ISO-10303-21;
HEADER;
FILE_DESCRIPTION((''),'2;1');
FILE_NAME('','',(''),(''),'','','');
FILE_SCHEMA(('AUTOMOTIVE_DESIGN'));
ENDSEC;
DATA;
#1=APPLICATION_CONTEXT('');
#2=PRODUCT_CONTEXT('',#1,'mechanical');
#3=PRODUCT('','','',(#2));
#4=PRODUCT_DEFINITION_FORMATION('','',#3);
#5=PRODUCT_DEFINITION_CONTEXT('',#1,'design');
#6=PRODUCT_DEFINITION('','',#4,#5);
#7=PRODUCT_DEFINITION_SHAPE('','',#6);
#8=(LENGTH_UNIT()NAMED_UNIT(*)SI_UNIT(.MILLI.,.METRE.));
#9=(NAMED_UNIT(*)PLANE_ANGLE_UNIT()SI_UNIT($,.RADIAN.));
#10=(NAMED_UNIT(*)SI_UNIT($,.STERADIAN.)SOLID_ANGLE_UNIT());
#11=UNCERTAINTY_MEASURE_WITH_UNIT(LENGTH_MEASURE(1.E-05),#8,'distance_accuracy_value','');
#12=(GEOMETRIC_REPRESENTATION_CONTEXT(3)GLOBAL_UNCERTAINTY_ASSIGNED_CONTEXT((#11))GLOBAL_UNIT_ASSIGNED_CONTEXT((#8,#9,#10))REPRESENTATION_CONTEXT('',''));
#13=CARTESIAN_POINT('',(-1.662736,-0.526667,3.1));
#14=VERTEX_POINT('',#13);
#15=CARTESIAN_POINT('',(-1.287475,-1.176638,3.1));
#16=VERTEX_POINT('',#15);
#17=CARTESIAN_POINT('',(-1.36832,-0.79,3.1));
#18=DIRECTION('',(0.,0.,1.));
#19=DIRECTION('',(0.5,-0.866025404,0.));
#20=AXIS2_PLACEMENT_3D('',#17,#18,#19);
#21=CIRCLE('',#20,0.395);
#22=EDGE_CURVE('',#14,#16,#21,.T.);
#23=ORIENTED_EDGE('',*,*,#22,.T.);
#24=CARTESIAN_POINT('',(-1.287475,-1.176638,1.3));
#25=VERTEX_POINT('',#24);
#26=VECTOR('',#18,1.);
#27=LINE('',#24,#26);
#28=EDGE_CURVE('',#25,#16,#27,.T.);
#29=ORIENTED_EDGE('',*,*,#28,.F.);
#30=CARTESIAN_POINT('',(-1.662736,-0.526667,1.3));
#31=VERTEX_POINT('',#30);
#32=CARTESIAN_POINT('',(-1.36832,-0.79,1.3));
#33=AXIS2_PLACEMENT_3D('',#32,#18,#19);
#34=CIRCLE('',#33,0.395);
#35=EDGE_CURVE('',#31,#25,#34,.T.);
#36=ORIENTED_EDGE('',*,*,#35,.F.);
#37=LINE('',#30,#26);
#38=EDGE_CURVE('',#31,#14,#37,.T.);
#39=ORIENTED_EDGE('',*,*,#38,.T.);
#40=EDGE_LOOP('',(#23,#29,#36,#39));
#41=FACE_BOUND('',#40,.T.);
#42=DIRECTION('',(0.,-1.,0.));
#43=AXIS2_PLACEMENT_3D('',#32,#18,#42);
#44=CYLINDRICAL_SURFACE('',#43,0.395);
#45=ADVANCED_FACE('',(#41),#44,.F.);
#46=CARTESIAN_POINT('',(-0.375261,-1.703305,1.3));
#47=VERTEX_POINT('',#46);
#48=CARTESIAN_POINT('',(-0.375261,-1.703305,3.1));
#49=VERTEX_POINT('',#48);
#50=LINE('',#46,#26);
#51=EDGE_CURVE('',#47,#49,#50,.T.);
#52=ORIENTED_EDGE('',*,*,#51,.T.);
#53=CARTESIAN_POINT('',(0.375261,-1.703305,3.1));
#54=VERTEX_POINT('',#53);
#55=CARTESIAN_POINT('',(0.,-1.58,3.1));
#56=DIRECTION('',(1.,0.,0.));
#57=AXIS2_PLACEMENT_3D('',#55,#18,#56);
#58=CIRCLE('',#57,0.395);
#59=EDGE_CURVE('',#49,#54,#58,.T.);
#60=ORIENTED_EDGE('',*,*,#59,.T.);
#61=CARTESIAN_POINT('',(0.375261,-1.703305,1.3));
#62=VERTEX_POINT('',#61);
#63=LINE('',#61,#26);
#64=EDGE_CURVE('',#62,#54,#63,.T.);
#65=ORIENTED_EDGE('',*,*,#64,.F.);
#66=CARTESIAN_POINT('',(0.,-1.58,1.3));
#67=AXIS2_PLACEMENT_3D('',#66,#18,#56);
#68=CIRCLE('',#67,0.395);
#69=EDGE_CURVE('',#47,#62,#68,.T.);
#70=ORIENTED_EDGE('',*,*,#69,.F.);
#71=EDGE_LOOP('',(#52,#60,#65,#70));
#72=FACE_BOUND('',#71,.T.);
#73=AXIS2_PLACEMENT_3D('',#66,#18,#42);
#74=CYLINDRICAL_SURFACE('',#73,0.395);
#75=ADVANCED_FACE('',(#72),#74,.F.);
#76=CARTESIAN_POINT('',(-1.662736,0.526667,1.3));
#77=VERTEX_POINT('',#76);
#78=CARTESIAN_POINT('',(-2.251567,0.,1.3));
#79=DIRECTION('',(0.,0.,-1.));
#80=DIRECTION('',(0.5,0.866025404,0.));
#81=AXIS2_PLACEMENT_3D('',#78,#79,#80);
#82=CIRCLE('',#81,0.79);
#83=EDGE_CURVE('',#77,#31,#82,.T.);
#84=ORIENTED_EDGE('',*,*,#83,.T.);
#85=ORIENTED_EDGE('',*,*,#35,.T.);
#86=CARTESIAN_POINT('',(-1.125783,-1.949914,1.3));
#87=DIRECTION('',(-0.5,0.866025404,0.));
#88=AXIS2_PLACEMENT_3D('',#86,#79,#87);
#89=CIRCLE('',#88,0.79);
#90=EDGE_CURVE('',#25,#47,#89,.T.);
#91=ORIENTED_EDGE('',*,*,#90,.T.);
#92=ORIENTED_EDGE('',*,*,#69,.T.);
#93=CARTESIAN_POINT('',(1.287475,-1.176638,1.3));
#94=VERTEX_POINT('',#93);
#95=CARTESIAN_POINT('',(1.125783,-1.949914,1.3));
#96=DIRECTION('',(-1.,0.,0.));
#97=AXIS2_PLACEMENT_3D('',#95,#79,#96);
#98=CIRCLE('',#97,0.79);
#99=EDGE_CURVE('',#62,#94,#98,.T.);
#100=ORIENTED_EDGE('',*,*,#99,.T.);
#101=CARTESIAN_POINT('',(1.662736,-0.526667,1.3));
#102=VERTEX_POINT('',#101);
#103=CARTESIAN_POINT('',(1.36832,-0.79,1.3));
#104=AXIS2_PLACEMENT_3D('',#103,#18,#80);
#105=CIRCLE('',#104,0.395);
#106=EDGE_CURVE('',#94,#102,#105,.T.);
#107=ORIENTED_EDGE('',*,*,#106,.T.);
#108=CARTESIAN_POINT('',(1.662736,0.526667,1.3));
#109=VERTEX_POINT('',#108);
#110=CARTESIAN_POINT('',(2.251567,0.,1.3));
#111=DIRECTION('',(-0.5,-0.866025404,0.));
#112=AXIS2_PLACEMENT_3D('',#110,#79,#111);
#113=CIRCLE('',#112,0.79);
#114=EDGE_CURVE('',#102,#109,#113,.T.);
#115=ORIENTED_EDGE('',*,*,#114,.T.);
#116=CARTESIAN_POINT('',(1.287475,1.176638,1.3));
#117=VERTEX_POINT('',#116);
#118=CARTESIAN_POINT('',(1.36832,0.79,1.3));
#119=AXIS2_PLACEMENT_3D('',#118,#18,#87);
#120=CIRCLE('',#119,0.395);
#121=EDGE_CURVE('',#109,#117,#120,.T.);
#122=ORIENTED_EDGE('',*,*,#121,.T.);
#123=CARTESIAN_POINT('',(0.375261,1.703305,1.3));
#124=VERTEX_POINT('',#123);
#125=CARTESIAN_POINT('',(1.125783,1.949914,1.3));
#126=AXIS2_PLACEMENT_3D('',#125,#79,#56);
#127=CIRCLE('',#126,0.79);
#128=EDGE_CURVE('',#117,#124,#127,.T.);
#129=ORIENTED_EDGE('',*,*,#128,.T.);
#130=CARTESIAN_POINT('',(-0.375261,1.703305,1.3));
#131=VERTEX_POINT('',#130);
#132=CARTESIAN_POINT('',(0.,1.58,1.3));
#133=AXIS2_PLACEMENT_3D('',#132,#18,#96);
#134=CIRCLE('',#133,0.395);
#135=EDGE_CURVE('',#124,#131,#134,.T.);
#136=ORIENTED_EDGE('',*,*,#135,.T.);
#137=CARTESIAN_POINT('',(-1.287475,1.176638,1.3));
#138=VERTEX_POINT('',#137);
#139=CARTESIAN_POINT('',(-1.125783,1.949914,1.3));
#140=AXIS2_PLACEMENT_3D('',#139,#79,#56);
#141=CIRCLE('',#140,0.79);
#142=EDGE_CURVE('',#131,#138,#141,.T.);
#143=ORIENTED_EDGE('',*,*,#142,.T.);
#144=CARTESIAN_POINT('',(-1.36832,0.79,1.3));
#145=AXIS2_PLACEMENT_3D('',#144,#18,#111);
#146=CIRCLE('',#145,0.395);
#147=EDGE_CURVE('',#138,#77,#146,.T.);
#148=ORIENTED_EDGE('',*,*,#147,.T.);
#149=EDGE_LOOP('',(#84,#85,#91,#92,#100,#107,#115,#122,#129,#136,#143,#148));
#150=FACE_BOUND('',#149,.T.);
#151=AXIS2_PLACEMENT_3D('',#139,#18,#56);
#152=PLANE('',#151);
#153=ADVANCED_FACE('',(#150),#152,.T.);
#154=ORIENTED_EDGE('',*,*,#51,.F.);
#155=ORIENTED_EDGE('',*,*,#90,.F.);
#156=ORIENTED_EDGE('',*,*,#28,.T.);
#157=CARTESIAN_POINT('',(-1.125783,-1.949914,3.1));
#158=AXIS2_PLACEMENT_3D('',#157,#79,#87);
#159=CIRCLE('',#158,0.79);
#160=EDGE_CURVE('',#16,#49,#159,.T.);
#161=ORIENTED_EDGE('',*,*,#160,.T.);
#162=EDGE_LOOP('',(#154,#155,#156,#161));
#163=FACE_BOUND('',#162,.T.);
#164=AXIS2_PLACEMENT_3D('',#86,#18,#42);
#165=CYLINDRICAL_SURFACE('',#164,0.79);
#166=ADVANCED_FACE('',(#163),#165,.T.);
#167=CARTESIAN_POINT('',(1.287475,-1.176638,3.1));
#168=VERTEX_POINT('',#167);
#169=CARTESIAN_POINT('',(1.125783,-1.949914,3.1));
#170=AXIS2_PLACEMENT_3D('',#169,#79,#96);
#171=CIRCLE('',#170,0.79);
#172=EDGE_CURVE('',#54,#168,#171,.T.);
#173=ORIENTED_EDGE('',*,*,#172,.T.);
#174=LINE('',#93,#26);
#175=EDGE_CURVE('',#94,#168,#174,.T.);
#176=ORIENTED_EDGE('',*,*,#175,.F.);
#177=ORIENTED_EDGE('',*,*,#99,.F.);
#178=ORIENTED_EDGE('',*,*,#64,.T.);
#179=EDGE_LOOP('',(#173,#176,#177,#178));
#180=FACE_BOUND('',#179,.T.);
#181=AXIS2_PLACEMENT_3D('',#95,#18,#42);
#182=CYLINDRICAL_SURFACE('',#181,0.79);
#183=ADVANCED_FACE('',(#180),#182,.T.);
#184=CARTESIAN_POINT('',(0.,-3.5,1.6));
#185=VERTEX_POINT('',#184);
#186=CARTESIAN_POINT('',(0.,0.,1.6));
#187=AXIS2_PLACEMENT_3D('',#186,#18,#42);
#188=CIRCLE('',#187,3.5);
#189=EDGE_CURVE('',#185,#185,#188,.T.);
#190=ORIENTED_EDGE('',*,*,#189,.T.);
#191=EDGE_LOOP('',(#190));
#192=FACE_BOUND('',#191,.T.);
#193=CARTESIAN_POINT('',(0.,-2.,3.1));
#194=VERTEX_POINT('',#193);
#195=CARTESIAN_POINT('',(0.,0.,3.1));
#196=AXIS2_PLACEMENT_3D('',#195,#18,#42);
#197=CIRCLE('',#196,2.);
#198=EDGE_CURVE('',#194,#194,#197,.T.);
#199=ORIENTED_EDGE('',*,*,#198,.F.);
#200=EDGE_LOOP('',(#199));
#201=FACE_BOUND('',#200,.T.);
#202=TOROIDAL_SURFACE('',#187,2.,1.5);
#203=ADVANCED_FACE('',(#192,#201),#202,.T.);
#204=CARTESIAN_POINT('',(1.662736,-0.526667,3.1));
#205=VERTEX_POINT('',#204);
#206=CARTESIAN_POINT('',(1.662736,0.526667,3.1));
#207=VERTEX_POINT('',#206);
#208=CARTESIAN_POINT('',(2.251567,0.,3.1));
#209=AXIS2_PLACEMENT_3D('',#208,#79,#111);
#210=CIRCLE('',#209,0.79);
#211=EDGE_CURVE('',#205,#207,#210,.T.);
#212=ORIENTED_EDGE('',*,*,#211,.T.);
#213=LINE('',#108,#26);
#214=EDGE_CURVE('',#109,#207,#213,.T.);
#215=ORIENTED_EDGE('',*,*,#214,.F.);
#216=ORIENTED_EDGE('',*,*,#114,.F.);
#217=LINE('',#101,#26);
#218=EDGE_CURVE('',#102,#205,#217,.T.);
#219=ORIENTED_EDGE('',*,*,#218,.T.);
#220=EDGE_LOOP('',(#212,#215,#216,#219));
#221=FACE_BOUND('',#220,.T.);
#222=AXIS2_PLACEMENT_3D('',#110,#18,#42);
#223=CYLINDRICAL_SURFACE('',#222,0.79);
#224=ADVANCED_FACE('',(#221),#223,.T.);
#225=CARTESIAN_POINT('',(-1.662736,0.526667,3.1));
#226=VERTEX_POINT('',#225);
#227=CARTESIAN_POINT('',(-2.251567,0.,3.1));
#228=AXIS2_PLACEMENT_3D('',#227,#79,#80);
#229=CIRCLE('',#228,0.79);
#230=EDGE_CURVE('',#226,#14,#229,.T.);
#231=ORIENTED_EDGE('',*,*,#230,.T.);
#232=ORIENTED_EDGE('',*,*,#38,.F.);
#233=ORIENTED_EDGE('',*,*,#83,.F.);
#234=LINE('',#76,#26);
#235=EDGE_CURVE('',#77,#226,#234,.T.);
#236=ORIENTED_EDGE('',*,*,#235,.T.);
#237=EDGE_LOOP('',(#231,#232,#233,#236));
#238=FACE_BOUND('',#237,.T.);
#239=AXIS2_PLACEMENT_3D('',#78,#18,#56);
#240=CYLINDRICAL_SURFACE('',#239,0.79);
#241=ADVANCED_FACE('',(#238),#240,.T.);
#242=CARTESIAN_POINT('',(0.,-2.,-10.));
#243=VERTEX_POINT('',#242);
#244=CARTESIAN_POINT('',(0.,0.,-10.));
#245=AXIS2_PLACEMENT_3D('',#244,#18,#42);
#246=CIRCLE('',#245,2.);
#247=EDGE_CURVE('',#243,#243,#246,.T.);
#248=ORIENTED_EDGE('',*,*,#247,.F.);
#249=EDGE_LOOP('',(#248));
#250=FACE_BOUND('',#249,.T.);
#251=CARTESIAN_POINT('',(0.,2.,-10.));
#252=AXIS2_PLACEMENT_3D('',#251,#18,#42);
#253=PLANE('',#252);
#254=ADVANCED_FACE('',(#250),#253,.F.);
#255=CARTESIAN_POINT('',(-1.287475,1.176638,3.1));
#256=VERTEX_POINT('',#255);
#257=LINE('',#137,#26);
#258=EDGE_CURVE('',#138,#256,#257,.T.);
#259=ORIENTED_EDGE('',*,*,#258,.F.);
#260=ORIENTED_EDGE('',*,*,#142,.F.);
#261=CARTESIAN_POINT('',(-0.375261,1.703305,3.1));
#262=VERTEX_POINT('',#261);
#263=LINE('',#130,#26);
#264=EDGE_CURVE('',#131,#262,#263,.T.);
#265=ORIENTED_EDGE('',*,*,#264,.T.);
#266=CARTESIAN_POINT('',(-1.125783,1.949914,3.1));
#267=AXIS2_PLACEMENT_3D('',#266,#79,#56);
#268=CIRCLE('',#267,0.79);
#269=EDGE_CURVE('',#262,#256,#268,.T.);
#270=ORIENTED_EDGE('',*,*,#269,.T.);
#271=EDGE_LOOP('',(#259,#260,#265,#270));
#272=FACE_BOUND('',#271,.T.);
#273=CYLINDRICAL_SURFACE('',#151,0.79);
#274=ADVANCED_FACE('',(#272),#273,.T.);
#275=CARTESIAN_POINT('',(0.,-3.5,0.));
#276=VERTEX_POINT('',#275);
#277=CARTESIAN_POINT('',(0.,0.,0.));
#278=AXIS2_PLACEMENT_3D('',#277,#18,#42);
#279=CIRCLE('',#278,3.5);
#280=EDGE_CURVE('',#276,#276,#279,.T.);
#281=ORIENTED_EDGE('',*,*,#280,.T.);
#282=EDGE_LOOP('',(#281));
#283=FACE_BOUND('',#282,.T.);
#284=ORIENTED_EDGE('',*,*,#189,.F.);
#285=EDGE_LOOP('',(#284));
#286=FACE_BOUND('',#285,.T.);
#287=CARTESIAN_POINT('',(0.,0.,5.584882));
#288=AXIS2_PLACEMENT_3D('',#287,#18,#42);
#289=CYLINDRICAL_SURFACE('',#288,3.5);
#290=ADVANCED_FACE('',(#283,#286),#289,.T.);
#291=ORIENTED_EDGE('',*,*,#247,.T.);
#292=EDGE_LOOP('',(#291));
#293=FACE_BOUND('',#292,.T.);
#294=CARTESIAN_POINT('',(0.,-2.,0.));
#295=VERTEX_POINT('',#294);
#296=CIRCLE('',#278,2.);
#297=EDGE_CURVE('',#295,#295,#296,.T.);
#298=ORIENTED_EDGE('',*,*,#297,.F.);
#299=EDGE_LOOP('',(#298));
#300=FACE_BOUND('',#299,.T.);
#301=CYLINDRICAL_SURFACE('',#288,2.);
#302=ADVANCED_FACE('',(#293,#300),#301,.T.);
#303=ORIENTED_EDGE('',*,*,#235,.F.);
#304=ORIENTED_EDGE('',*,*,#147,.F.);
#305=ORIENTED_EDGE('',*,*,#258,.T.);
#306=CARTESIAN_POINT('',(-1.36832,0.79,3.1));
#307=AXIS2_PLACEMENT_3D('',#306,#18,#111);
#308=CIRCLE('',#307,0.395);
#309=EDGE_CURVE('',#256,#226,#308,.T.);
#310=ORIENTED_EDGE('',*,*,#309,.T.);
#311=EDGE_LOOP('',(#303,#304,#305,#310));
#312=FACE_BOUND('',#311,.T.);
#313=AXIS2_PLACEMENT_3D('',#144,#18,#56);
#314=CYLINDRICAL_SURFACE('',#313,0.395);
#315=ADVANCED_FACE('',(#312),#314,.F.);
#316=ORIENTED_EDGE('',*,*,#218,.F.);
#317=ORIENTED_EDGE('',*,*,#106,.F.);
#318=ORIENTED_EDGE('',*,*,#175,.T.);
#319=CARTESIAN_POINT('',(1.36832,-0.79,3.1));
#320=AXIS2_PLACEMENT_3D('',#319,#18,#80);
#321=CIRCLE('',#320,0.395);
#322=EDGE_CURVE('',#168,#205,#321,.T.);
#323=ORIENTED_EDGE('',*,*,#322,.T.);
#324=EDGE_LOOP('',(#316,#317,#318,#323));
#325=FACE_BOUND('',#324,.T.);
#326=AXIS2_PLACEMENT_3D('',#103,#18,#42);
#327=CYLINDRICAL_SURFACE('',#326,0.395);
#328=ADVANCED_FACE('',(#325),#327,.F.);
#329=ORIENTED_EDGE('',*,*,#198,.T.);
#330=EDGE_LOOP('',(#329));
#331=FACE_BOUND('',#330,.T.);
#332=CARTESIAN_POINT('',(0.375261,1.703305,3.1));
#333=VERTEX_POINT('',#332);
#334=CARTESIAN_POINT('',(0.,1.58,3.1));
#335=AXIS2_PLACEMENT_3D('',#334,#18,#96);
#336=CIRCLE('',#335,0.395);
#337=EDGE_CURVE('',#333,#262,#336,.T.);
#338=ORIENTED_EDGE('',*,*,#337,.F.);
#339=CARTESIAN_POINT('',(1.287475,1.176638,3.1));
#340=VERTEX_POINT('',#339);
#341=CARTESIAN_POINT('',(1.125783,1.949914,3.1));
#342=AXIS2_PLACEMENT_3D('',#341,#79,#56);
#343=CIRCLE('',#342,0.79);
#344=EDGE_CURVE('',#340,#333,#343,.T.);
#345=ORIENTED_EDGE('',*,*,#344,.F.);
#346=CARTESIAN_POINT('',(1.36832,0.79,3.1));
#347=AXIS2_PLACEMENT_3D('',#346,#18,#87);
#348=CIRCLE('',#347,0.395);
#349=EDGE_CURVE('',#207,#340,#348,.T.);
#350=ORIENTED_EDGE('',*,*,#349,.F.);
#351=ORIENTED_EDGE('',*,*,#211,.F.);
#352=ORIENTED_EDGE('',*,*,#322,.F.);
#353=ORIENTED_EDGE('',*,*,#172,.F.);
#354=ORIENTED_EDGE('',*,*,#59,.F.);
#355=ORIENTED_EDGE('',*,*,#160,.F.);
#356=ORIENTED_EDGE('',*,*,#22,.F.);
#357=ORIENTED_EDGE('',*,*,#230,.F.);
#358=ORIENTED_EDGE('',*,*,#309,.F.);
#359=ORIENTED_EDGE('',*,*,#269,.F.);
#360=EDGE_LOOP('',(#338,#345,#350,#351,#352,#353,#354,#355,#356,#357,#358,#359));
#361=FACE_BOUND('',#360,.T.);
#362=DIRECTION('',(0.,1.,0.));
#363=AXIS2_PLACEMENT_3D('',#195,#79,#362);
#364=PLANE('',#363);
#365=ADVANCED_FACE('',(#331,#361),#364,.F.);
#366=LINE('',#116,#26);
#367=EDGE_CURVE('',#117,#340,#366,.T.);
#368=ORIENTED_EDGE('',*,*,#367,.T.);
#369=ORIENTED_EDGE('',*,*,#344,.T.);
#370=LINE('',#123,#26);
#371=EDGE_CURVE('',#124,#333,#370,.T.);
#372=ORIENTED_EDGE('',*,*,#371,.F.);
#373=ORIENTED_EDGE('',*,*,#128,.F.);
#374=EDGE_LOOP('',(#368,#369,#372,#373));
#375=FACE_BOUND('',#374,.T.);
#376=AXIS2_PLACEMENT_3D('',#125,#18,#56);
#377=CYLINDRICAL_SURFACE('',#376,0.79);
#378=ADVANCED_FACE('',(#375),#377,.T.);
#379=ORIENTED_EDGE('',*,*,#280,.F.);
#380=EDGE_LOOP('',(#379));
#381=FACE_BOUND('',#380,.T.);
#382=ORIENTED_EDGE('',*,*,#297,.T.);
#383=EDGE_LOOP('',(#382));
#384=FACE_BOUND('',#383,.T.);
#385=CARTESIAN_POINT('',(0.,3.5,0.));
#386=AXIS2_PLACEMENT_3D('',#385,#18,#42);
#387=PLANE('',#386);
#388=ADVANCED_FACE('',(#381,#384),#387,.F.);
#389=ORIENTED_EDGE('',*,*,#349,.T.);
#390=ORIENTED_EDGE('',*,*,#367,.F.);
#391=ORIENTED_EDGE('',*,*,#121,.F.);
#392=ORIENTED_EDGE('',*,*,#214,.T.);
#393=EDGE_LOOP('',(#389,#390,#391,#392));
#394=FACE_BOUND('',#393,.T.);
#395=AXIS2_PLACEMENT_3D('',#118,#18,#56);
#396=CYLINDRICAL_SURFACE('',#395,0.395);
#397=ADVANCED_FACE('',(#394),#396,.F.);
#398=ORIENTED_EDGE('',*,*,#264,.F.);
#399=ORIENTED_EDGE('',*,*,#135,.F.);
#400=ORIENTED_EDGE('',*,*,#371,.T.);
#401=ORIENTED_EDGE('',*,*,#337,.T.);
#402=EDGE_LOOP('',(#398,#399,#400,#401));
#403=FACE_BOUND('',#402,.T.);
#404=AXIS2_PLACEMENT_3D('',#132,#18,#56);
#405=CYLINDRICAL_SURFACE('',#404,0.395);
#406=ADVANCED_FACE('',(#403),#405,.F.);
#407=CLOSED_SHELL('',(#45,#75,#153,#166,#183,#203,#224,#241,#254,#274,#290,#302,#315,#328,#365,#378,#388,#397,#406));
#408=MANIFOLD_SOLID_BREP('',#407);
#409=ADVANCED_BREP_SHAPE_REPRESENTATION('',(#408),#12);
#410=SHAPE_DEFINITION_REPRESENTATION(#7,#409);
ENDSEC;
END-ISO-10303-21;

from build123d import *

# Parameters (mm, degrees)
CUT_EXTRUDE1_DEPTH = 1.8
CIRPATTERN1_COUNT  = 6


with BuildPart() as part:
    # Sketch1 → Revolve1 (revolve)
    with BuildSketch(Plane(origin=(0, 0, 0), x_dir=(0, 0, -1), z_dir=(1, 0, 0))):
        with BuildLine():
            Line((-3.1, 0), (-3.1, 2))
            ThreePointArc((-3.1, 2), (-2.660660172, 3.060660172), (-1.6, 3.5))
            Line((-1.6, 3.5), (0, 3.5))
            Line((0, 3.5), (0, 2))
            Line((0, 2), (10, 2))
            Line((10, 2), (10, 0))
            Line((10, 0), (-3.1, 0))
        make_face()
    revolve(axis=Axis((0, 0, 5.584882278), (0, 0, -1)))

    # Sketch2 → Cut-Extrude1 (cut)
    with BuildSketch(Plane.XY.offset(3.1)):
        with BuildLine():
            Line((-0.730783495, 1.265754142), (0, 0))
            Line((0, 0), (0.730783495, 1.265754142))
            ThreePointArc((0.730783495, 1.265754142), (0.512661987, 1.451735511), (0.375261165, 1.703304737))
            ThreePointArc((0.375261165, 1.703304737), (0, 1.975), (-0.375261165, 1.703304737))
            ThreePointArc((-0.375261165, 1.703304737), (-0.512661987, 1.451735511), (-0.730783495, 1.265754142))
        make_face()
    cut_extrude1 = extrude(amount=-CUT_EXTRUDE1_DEPTH, mode=Mode.SUBTRACT)

    # CirPattern1: Cut-Extrude1 ×6 about axis
    cirpattern1_axis = Axis((0, 0, 5.584882278), (0, 0, 1))
    for i in range(1, CIRPATTERN1_COUNT):
        add(cut_extrude1.rotate(cirpattern1_axis, i * 360 / CIRPATTERN1_COUNT), mode=Mode.SUBTRACT)


solid = part.part
